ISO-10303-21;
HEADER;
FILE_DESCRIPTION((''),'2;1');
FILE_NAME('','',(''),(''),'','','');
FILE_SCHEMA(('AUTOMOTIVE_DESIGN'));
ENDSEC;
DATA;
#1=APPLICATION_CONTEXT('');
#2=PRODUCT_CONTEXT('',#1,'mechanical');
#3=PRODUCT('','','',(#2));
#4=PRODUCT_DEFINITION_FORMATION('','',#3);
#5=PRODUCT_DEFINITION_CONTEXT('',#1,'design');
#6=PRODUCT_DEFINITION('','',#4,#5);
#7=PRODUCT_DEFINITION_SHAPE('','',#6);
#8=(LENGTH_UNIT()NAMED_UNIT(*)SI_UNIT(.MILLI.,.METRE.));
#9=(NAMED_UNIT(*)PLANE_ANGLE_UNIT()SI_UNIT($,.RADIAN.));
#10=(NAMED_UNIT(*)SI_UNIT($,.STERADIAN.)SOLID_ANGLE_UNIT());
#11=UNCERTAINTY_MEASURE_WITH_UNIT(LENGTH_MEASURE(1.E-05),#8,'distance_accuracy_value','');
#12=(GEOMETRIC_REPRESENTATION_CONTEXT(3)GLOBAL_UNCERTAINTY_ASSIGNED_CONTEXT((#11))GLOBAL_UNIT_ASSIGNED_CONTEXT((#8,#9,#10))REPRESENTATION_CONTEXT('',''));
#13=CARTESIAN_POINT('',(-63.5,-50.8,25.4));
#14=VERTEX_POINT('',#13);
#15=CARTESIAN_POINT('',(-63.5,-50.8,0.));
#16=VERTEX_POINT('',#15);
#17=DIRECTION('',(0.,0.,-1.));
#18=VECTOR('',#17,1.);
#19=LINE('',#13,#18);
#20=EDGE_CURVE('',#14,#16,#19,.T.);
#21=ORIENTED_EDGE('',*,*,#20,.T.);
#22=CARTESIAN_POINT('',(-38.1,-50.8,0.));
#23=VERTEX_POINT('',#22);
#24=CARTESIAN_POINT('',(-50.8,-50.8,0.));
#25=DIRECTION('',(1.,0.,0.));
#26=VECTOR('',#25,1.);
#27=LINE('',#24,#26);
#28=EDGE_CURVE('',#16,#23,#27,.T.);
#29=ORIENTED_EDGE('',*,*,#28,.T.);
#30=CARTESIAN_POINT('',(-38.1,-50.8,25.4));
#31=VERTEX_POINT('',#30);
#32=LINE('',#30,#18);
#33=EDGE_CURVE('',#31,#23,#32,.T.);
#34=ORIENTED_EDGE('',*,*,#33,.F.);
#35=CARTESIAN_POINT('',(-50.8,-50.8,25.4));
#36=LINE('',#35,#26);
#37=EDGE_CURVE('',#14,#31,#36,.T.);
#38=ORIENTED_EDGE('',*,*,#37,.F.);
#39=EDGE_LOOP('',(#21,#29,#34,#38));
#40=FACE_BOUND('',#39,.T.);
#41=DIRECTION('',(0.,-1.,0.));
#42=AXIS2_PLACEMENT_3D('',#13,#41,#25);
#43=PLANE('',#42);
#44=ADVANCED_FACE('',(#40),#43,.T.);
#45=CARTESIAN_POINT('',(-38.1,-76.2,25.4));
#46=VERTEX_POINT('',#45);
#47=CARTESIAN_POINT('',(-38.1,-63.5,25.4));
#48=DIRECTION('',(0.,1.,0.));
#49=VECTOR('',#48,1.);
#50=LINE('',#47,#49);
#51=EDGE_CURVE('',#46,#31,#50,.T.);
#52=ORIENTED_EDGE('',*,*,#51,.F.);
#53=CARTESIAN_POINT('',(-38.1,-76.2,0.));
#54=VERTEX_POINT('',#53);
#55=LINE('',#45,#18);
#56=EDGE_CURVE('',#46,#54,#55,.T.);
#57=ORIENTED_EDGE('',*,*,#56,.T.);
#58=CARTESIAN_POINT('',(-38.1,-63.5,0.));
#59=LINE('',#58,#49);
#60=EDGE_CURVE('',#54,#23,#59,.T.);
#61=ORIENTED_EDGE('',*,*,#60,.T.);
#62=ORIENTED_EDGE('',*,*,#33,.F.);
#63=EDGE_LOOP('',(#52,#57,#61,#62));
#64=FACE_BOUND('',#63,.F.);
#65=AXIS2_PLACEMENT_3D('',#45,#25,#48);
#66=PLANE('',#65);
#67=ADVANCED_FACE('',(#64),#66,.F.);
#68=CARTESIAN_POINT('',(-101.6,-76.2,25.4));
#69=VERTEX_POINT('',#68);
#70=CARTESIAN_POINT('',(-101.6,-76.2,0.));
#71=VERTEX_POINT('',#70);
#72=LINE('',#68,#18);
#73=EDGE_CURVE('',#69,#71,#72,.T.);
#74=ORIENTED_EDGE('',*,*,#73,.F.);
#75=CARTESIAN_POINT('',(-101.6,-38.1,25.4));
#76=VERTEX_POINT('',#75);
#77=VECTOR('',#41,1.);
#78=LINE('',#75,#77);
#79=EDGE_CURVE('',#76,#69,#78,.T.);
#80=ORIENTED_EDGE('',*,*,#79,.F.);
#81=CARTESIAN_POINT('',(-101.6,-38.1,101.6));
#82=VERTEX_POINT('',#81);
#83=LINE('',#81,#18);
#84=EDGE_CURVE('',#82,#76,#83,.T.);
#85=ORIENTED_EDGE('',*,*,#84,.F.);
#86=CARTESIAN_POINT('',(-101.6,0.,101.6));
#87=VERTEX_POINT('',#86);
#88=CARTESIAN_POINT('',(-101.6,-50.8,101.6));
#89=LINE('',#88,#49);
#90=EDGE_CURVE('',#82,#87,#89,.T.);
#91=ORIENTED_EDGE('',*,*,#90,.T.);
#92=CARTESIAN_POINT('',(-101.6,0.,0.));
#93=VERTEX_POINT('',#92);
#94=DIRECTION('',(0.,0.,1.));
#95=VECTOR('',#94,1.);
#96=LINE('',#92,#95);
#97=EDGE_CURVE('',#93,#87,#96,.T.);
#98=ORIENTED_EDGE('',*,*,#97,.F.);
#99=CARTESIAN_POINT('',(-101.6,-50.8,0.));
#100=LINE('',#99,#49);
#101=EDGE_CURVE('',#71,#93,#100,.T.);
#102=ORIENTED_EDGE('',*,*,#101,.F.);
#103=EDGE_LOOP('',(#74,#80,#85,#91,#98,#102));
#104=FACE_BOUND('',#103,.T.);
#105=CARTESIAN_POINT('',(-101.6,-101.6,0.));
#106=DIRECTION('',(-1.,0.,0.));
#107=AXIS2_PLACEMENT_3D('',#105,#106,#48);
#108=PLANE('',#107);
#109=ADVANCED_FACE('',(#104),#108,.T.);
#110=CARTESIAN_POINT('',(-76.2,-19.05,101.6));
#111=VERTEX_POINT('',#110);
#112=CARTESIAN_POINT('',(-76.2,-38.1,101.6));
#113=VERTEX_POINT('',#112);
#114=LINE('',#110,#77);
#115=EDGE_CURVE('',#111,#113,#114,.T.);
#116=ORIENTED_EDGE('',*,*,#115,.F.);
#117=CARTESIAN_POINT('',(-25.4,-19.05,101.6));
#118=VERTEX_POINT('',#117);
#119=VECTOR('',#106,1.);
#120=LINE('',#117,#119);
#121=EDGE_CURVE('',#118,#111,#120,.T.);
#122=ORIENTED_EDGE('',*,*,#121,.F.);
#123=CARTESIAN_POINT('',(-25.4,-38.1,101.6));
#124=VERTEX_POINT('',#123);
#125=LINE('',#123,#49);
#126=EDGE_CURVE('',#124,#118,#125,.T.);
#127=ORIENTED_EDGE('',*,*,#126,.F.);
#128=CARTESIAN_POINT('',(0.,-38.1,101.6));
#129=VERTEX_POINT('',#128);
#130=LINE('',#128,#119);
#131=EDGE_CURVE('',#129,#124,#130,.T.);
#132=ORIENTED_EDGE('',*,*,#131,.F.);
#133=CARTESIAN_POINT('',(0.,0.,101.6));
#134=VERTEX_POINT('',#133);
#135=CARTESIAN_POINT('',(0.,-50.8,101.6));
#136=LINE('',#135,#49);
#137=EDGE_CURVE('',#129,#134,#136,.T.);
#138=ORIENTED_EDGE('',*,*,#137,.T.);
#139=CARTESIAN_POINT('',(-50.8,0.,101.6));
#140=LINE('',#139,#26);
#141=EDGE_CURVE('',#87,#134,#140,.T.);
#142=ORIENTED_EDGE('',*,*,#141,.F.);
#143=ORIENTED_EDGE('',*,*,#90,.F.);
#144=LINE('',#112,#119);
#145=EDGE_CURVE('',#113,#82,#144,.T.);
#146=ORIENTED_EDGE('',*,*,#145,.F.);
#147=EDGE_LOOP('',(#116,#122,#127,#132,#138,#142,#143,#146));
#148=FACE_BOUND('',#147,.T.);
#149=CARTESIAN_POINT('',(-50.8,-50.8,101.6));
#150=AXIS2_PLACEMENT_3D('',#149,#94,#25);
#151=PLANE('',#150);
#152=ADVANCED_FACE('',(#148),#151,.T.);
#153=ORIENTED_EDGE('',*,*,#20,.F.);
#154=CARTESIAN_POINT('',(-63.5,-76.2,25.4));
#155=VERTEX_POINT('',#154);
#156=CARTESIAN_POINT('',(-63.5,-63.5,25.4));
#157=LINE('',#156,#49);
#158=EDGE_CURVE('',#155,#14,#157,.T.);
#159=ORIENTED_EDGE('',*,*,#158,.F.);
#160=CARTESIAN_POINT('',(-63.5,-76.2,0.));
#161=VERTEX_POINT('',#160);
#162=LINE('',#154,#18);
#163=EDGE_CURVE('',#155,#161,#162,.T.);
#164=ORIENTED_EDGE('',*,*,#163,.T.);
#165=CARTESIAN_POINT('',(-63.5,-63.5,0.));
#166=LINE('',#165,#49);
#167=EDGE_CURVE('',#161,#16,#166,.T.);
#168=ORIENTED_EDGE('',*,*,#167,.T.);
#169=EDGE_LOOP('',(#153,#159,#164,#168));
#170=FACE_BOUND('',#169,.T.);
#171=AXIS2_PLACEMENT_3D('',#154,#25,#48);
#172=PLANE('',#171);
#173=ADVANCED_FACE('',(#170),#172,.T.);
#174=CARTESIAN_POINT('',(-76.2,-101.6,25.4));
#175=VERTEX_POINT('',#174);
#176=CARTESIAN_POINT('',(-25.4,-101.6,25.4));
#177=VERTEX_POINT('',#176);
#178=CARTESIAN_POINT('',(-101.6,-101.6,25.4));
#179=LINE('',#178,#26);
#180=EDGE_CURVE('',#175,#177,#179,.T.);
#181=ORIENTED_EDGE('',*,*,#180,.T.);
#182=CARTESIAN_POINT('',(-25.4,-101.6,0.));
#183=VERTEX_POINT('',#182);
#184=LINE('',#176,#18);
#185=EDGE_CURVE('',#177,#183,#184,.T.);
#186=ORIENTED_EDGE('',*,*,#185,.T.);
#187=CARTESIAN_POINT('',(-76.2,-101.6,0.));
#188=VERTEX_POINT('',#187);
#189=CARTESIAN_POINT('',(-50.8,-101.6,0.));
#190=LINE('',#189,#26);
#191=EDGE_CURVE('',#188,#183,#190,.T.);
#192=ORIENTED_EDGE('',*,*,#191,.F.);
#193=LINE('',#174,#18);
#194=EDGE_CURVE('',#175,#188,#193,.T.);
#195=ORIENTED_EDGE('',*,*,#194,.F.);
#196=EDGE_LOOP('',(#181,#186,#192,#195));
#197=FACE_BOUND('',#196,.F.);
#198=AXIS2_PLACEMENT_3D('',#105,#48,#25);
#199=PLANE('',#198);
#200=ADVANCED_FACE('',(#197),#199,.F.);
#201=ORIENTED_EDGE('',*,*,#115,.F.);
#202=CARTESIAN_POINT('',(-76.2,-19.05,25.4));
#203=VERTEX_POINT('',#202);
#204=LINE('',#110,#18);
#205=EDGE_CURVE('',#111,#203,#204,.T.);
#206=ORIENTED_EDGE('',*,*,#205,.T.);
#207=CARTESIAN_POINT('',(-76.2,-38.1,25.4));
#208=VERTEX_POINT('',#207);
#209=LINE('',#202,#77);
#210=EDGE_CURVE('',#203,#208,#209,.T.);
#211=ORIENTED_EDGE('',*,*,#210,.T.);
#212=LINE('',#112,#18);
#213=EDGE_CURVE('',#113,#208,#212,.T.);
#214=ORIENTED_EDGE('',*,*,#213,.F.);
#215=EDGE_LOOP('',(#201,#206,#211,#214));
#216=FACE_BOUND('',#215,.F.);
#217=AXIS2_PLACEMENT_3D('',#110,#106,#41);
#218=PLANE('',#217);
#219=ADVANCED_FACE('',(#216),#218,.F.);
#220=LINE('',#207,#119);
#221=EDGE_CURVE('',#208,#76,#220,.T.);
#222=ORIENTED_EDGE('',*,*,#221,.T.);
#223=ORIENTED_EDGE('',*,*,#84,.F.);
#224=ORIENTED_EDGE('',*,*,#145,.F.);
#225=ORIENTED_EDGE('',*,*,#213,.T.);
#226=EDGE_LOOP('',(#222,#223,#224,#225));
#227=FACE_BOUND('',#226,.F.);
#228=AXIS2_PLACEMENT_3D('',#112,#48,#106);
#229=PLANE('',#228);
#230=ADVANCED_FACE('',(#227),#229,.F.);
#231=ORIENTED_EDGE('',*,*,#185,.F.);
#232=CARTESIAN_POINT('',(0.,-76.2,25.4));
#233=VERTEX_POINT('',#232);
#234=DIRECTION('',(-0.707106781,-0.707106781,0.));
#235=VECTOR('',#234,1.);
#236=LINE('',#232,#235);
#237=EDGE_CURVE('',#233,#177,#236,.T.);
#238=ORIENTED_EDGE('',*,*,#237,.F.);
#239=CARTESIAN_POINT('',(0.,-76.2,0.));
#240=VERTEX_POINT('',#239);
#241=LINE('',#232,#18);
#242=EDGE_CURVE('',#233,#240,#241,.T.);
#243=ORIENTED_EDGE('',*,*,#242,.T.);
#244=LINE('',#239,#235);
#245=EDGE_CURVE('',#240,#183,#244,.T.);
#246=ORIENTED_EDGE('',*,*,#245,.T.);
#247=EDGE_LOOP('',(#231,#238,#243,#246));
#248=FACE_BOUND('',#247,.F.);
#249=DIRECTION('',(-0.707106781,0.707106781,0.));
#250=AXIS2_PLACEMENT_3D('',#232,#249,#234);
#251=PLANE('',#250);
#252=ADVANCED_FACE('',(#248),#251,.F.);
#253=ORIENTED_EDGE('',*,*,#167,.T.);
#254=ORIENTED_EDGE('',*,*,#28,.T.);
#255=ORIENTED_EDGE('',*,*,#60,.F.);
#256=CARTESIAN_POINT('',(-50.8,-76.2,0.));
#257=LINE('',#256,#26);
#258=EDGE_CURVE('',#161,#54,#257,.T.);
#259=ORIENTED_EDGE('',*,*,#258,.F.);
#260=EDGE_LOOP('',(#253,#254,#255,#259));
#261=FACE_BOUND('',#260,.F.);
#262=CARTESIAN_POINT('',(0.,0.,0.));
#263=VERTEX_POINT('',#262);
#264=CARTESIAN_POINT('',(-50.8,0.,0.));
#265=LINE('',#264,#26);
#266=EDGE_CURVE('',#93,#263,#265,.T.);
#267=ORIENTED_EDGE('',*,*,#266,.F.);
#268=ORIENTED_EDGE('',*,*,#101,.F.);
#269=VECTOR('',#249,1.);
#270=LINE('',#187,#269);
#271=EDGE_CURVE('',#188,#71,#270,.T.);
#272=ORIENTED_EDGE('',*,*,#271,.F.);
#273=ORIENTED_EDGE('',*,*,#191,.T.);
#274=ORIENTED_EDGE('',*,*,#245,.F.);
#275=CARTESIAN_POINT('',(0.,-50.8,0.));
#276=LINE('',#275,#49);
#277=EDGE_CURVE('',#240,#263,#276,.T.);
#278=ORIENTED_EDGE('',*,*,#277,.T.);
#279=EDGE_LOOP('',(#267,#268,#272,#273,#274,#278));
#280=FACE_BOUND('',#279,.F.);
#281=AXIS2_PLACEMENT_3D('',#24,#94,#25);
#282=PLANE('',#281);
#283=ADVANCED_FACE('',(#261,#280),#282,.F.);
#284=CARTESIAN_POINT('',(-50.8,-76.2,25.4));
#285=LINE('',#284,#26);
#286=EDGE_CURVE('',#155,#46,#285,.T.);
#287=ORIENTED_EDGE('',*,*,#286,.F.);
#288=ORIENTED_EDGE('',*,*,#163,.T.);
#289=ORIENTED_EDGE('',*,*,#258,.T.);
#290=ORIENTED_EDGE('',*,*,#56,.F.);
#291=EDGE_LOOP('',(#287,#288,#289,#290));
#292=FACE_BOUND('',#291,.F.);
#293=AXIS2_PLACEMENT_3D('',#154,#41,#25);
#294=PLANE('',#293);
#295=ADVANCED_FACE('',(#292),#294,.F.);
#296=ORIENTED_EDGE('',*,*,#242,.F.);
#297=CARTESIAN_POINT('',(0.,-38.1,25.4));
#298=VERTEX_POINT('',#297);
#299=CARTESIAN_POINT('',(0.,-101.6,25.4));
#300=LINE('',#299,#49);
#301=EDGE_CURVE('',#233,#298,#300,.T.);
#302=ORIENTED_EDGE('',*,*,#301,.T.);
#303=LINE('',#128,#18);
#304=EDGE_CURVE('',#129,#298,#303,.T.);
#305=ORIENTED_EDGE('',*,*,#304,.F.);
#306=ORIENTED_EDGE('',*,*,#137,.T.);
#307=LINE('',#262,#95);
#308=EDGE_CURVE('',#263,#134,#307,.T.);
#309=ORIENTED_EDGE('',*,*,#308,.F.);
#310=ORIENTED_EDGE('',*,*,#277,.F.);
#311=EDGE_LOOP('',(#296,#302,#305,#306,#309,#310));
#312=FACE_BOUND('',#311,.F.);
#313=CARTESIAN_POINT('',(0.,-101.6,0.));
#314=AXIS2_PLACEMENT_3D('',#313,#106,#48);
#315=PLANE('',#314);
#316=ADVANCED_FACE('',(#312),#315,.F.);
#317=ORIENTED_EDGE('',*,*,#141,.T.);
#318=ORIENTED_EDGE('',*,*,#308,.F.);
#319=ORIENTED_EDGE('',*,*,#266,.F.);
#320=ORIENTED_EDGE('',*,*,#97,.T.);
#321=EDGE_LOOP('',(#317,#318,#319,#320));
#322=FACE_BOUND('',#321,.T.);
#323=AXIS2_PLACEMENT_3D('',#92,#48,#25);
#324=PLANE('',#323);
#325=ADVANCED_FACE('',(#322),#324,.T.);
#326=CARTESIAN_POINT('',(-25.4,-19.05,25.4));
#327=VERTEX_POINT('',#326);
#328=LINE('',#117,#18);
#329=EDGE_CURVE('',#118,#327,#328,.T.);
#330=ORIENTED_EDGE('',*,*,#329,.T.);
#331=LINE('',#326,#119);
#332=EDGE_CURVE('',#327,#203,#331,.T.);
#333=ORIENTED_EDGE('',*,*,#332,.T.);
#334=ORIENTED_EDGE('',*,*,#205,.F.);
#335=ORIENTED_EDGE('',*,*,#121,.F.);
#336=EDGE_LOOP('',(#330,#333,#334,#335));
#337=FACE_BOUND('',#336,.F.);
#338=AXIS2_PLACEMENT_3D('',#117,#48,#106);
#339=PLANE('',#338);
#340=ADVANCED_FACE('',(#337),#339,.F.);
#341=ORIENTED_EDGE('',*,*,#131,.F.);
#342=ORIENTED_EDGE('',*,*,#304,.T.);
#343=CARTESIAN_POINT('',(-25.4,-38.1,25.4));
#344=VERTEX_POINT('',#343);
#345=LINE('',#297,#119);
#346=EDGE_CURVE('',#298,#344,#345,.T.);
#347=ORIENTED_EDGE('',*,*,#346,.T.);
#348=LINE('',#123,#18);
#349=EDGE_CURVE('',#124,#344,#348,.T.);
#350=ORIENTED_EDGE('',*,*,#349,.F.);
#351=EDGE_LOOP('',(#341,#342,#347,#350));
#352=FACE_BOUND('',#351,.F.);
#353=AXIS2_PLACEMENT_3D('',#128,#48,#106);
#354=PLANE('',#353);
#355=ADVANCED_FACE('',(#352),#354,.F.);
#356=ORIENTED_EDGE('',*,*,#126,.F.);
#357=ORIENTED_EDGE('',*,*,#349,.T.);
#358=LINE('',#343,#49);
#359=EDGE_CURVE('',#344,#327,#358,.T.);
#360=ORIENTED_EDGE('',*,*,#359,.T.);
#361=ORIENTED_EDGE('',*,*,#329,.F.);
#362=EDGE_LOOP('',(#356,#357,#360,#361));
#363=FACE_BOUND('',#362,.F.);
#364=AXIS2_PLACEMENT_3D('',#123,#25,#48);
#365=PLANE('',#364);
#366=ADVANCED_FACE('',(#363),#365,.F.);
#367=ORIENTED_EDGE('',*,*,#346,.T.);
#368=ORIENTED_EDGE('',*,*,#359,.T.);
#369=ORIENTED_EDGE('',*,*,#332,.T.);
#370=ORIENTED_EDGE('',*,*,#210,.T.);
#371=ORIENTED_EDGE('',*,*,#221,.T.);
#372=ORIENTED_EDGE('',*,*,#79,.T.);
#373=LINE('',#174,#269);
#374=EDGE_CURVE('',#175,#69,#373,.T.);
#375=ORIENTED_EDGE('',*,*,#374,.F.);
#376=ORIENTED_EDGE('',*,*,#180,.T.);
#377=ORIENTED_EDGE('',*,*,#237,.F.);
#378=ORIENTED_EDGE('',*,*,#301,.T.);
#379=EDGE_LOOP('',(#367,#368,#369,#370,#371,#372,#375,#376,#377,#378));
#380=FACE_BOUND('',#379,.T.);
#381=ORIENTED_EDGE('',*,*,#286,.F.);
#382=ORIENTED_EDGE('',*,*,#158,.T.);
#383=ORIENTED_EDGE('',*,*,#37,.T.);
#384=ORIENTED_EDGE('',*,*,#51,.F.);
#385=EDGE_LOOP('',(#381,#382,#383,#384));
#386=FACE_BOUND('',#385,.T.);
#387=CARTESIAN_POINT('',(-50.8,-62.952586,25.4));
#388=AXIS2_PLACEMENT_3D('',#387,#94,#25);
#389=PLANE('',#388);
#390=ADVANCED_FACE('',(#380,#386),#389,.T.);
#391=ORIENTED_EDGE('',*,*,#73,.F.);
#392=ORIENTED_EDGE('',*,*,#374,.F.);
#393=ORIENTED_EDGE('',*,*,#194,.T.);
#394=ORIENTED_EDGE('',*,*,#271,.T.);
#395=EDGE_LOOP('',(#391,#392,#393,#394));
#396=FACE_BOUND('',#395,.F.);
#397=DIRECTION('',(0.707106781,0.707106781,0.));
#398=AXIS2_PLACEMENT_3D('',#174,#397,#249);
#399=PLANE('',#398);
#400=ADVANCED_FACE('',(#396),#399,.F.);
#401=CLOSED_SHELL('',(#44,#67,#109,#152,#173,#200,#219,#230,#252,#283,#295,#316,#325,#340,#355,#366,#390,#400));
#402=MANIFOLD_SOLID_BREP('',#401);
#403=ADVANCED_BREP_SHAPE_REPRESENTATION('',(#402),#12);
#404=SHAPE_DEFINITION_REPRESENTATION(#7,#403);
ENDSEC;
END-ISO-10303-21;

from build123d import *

# Parameters (mm, degrees)
F0_W     = 101.6
F0_H     = 101.6
F1_DEPTH = 101.6
F3_DEPTH = 76.2
F4_W     = 25.4
F4_H     = 25.4
F5_DEPTH = 25.4


with BuildPart() as f1:
    # F0 (on Top) → F1 (new body)
    with BuildSketch(Plane.XY):
        with Locations((-50.8, -50.8)):
            Rectangle(F0_W, F0_H)
    extrude(amount=F1_DEPTH)

    # F2 (on face) → F3 (cut)
    with BuildSketch(Plane.XY.offset(101.6)):
        Polygon((-25.4, -19.05), (-76.2, -19.05), (-76.2, -38.1), (-101.6, -38.1), (-101.6, -101.6), (0, -101.6), (0, -38.1), (-25.4, -38.1), align=None)
    extrude(amount=-F3_DEPTH, mode=Mode.SUBTRACT)

    # F4 (on face) → F5 (cut)
    with BuildSketch(Plane.XY.offset(25.4)):
        with Locations((-50.8, -63.5)):
            Rectangle(F4_W, F4_H)
        Polygon((0, -101.6), (0, -76.2), (-25.4, -101.6), align=None)
        Polygon((-76.2, -101.6), (-101.6, -76.2), (-101.6, -101.6), align=None)
    extrude(amount=-F5_DEPTH, mode=Mode.SUBTRACT)


solid = f1.part
